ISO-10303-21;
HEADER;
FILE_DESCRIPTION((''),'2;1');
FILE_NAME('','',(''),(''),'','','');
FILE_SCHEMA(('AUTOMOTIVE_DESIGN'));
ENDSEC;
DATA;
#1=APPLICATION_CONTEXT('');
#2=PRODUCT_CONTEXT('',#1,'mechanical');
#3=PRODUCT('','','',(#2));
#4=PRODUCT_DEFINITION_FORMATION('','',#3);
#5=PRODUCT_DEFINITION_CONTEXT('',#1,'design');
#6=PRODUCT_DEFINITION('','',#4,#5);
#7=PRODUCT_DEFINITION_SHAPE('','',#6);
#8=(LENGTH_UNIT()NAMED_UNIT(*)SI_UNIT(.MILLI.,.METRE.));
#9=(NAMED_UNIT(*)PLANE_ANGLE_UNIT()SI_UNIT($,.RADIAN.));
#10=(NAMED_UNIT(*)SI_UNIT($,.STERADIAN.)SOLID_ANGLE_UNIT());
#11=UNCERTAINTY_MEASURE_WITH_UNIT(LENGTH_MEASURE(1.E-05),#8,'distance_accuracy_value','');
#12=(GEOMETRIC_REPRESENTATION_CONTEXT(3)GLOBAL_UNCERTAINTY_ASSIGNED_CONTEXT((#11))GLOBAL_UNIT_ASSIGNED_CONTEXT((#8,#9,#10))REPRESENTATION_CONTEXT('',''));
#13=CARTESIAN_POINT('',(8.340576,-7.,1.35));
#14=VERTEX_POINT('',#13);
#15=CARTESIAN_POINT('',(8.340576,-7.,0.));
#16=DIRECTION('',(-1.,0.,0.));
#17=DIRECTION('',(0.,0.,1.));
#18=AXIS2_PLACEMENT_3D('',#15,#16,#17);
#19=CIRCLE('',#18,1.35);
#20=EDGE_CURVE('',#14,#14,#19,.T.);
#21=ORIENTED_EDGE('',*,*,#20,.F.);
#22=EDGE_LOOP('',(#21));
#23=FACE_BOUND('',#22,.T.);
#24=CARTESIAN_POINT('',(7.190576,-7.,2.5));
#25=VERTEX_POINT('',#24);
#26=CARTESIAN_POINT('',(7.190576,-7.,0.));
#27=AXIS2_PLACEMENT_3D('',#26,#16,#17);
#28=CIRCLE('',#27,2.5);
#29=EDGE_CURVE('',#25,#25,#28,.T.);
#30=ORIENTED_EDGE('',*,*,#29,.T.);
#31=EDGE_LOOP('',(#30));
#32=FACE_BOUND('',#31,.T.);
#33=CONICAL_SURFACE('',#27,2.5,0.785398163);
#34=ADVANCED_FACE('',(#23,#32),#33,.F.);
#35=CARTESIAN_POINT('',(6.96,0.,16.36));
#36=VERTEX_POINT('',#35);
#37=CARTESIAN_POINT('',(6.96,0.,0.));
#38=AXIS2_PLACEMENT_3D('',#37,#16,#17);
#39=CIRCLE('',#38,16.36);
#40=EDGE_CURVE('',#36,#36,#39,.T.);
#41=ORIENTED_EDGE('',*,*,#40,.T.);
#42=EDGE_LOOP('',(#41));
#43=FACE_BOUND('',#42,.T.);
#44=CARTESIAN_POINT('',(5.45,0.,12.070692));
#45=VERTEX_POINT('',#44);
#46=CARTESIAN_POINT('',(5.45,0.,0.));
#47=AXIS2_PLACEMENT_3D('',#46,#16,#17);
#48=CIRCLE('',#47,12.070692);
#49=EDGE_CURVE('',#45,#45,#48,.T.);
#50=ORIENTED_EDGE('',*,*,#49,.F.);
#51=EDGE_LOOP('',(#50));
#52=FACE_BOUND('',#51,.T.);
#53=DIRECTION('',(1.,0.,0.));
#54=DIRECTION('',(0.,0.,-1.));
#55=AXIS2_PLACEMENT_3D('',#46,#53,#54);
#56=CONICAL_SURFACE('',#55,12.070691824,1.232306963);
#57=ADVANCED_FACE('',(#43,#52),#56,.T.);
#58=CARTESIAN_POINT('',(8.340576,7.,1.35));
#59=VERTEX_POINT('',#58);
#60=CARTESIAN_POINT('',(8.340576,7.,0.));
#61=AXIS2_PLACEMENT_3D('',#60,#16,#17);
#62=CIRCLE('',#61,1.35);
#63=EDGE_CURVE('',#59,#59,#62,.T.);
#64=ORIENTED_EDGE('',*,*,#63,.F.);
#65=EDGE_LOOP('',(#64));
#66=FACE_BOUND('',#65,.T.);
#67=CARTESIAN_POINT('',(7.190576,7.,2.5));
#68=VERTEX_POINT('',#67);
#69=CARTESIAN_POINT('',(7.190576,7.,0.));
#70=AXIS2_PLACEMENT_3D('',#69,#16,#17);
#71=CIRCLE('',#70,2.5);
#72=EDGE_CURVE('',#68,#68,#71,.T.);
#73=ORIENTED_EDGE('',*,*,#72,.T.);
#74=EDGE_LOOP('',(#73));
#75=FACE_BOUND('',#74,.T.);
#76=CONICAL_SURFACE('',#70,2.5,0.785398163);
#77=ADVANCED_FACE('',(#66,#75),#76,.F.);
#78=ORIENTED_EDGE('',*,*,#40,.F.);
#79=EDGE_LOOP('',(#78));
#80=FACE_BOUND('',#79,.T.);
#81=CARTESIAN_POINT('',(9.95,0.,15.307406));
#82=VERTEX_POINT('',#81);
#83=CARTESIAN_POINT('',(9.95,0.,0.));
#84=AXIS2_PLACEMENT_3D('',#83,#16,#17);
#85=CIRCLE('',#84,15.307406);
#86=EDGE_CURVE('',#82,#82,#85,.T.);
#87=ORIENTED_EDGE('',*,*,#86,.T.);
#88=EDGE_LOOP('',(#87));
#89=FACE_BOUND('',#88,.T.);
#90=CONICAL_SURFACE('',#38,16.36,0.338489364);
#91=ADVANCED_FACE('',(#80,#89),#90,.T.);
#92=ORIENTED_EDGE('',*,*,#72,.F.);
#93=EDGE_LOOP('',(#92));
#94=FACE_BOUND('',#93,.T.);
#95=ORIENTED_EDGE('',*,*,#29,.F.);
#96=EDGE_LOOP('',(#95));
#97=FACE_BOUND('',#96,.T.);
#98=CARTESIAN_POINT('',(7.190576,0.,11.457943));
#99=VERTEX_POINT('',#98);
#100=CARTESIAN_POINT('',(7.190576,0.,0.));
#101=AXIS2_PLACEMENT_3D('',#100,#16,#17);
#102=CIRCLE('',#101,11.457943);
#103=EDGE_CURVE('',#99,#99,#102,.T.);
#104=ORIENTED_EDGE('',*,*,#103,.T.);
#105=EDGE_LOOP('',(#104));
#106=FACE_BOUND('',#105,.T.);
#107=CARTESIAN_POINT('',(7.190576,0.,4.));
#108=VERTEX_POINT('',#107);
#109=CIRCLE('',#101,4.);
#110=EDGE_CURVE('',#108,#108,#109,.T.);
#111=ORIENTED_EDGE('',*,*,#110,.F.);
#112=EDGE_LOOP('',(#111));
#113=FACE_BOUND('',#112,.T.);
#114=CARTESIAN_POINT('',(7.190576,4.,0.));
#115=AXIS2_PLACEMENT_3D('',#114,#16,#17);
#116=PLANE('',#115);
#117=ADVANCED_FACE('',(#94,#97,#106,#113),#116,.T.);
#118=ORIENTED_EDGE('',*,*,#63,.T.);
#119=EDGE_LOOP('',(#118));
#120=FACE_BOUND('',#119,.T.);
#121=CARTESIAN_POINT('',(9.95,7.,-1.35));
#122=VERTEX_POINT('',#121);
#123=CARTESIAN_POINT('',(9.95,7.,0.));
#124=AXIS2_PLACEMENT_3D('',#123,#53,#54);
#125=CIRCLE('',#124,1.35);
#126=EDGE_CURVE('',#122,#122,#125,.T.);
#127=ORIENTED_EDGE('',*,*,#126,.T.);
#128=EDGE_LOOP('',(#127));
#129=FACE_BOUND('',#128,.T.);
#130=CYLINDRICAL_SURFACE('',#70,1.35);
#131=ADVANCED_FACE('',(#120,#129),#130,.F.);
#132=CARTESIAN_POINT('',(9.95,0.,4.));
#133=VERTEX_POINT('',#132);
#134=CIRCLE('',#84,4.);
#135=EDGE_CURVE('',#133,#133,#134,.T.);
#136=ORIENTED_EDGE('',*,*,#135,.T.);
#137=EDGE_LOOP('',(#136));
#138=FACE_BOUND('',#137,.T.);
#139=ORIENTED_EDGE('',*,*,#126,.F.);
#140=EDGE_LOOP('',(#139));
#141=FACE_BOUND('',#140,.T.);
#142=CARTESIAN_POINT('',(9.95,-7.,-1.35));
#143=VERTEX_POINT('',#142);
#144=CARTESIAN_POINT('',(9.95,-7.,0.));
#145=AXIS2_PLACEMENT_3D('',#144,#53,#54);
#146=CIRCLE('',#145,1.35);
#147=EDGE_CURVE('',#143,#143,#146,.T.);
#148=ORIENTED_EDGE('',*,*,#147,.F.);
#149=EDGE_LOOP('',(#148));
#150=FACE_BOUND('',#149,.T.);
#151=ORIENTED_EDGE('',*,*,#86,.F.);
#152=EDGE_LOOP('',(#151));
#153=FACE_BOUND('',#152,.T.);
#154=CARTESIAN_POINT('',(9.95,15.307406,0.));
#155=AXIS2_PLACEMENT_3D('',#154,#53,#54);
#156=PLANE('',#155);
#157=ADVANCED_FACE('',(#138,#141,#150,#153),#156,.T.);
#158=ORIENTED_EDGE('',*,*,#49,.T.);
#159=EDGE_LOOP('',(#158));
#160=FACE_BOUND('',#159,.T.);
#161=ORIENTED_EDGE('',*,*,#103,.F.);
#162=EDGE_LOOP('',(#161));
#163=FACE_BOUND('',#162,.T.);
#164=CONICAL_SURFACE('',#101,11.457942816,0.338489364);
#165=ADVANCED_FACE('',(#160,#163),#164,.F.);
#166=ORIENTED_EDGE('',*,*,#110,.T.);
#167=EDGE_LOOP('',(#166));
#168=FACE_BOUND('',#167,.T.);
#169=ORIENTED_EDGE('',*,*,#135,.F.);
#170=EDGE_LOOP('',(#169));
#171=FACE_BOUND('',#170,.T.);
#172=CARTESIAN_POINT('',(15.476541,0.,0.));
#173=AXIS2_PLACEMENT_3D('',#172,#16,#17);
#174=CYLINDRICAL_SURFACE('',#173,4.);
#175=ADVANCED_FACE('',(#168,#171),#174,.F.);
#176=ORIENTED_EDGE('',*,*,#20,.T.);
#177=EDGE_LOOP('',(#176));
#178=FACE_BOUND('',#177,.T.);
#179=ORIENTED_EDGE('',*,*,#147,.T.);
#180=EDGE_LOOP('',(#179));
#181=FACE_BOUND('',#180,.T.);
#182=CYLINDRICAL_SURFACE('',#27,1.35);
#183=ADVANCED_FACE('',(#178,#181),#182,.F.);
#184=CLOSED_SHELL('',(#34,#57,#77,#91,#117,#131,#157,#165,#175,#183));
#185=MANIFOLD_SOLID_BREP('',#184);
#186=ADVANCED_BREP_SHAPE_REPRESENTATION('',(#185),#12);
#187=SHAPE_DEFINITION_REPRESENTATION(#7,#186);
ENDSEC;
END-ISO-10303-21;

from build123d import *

# Parameters (mm, degrees)
CSK_FOR_M3_FLAT_COUNTERSUNK_HEAD_SCREW1_D           = 2.7
CSK_FOR_M3_FLAT_COUNTERSUNK_HEAD_SCREW1_CSINK_D     = 5
CSK_FOR_M3_FLAT_COUNTERSUNK_HEAD_SCREW1_CSINK_ANGLE = 90


with BuildPart() as part:
    # Sketch1 → Revolve1 (revolve)
    with BuildSketch(Plane(origin=(0, 0, 0), x_dir=(-1, 0, 0), z_dir=(0, 0, -1)), mode=Mode.PRIVATE) as revolve1_sk:
        Polygon((-9.95, 4), (-7.190575715, 4), (-7.190575715, 11.457942816), (-5.45, 12.070691824), (-6.96, 16.36), (-9.95, 15.307406012), align=None)
    revolve(revolve1_sk.sketch.rotate(Axis((15.476540881, 0, 0), (-1, 0, 0)), 270), axis=Axis((15.476540881, 0, 0), (-1, 0, 0)))

    # CSK for M3 Flat Countersunk Head Screw1 (through all)
    with Locations(Plane.ZY.offset(-7.190575715)):
        with Locations((0, 7), (0, -7)):
            CounterSinkHole(CSK_FOR_M3_FLAT_COUNTERSUNK_HEAD_SCREW1_D / 2, CSK_FOR_M3_FLAT_COUNTERSUNK_HEAD_SCREW1_CSINK_D / 2, counter_sink_angle=CSK_FOR_M3_FLAT_COUNTERSUNK_HEAD_SCREW1_CSINK_ANGLE)


solid = part.part
